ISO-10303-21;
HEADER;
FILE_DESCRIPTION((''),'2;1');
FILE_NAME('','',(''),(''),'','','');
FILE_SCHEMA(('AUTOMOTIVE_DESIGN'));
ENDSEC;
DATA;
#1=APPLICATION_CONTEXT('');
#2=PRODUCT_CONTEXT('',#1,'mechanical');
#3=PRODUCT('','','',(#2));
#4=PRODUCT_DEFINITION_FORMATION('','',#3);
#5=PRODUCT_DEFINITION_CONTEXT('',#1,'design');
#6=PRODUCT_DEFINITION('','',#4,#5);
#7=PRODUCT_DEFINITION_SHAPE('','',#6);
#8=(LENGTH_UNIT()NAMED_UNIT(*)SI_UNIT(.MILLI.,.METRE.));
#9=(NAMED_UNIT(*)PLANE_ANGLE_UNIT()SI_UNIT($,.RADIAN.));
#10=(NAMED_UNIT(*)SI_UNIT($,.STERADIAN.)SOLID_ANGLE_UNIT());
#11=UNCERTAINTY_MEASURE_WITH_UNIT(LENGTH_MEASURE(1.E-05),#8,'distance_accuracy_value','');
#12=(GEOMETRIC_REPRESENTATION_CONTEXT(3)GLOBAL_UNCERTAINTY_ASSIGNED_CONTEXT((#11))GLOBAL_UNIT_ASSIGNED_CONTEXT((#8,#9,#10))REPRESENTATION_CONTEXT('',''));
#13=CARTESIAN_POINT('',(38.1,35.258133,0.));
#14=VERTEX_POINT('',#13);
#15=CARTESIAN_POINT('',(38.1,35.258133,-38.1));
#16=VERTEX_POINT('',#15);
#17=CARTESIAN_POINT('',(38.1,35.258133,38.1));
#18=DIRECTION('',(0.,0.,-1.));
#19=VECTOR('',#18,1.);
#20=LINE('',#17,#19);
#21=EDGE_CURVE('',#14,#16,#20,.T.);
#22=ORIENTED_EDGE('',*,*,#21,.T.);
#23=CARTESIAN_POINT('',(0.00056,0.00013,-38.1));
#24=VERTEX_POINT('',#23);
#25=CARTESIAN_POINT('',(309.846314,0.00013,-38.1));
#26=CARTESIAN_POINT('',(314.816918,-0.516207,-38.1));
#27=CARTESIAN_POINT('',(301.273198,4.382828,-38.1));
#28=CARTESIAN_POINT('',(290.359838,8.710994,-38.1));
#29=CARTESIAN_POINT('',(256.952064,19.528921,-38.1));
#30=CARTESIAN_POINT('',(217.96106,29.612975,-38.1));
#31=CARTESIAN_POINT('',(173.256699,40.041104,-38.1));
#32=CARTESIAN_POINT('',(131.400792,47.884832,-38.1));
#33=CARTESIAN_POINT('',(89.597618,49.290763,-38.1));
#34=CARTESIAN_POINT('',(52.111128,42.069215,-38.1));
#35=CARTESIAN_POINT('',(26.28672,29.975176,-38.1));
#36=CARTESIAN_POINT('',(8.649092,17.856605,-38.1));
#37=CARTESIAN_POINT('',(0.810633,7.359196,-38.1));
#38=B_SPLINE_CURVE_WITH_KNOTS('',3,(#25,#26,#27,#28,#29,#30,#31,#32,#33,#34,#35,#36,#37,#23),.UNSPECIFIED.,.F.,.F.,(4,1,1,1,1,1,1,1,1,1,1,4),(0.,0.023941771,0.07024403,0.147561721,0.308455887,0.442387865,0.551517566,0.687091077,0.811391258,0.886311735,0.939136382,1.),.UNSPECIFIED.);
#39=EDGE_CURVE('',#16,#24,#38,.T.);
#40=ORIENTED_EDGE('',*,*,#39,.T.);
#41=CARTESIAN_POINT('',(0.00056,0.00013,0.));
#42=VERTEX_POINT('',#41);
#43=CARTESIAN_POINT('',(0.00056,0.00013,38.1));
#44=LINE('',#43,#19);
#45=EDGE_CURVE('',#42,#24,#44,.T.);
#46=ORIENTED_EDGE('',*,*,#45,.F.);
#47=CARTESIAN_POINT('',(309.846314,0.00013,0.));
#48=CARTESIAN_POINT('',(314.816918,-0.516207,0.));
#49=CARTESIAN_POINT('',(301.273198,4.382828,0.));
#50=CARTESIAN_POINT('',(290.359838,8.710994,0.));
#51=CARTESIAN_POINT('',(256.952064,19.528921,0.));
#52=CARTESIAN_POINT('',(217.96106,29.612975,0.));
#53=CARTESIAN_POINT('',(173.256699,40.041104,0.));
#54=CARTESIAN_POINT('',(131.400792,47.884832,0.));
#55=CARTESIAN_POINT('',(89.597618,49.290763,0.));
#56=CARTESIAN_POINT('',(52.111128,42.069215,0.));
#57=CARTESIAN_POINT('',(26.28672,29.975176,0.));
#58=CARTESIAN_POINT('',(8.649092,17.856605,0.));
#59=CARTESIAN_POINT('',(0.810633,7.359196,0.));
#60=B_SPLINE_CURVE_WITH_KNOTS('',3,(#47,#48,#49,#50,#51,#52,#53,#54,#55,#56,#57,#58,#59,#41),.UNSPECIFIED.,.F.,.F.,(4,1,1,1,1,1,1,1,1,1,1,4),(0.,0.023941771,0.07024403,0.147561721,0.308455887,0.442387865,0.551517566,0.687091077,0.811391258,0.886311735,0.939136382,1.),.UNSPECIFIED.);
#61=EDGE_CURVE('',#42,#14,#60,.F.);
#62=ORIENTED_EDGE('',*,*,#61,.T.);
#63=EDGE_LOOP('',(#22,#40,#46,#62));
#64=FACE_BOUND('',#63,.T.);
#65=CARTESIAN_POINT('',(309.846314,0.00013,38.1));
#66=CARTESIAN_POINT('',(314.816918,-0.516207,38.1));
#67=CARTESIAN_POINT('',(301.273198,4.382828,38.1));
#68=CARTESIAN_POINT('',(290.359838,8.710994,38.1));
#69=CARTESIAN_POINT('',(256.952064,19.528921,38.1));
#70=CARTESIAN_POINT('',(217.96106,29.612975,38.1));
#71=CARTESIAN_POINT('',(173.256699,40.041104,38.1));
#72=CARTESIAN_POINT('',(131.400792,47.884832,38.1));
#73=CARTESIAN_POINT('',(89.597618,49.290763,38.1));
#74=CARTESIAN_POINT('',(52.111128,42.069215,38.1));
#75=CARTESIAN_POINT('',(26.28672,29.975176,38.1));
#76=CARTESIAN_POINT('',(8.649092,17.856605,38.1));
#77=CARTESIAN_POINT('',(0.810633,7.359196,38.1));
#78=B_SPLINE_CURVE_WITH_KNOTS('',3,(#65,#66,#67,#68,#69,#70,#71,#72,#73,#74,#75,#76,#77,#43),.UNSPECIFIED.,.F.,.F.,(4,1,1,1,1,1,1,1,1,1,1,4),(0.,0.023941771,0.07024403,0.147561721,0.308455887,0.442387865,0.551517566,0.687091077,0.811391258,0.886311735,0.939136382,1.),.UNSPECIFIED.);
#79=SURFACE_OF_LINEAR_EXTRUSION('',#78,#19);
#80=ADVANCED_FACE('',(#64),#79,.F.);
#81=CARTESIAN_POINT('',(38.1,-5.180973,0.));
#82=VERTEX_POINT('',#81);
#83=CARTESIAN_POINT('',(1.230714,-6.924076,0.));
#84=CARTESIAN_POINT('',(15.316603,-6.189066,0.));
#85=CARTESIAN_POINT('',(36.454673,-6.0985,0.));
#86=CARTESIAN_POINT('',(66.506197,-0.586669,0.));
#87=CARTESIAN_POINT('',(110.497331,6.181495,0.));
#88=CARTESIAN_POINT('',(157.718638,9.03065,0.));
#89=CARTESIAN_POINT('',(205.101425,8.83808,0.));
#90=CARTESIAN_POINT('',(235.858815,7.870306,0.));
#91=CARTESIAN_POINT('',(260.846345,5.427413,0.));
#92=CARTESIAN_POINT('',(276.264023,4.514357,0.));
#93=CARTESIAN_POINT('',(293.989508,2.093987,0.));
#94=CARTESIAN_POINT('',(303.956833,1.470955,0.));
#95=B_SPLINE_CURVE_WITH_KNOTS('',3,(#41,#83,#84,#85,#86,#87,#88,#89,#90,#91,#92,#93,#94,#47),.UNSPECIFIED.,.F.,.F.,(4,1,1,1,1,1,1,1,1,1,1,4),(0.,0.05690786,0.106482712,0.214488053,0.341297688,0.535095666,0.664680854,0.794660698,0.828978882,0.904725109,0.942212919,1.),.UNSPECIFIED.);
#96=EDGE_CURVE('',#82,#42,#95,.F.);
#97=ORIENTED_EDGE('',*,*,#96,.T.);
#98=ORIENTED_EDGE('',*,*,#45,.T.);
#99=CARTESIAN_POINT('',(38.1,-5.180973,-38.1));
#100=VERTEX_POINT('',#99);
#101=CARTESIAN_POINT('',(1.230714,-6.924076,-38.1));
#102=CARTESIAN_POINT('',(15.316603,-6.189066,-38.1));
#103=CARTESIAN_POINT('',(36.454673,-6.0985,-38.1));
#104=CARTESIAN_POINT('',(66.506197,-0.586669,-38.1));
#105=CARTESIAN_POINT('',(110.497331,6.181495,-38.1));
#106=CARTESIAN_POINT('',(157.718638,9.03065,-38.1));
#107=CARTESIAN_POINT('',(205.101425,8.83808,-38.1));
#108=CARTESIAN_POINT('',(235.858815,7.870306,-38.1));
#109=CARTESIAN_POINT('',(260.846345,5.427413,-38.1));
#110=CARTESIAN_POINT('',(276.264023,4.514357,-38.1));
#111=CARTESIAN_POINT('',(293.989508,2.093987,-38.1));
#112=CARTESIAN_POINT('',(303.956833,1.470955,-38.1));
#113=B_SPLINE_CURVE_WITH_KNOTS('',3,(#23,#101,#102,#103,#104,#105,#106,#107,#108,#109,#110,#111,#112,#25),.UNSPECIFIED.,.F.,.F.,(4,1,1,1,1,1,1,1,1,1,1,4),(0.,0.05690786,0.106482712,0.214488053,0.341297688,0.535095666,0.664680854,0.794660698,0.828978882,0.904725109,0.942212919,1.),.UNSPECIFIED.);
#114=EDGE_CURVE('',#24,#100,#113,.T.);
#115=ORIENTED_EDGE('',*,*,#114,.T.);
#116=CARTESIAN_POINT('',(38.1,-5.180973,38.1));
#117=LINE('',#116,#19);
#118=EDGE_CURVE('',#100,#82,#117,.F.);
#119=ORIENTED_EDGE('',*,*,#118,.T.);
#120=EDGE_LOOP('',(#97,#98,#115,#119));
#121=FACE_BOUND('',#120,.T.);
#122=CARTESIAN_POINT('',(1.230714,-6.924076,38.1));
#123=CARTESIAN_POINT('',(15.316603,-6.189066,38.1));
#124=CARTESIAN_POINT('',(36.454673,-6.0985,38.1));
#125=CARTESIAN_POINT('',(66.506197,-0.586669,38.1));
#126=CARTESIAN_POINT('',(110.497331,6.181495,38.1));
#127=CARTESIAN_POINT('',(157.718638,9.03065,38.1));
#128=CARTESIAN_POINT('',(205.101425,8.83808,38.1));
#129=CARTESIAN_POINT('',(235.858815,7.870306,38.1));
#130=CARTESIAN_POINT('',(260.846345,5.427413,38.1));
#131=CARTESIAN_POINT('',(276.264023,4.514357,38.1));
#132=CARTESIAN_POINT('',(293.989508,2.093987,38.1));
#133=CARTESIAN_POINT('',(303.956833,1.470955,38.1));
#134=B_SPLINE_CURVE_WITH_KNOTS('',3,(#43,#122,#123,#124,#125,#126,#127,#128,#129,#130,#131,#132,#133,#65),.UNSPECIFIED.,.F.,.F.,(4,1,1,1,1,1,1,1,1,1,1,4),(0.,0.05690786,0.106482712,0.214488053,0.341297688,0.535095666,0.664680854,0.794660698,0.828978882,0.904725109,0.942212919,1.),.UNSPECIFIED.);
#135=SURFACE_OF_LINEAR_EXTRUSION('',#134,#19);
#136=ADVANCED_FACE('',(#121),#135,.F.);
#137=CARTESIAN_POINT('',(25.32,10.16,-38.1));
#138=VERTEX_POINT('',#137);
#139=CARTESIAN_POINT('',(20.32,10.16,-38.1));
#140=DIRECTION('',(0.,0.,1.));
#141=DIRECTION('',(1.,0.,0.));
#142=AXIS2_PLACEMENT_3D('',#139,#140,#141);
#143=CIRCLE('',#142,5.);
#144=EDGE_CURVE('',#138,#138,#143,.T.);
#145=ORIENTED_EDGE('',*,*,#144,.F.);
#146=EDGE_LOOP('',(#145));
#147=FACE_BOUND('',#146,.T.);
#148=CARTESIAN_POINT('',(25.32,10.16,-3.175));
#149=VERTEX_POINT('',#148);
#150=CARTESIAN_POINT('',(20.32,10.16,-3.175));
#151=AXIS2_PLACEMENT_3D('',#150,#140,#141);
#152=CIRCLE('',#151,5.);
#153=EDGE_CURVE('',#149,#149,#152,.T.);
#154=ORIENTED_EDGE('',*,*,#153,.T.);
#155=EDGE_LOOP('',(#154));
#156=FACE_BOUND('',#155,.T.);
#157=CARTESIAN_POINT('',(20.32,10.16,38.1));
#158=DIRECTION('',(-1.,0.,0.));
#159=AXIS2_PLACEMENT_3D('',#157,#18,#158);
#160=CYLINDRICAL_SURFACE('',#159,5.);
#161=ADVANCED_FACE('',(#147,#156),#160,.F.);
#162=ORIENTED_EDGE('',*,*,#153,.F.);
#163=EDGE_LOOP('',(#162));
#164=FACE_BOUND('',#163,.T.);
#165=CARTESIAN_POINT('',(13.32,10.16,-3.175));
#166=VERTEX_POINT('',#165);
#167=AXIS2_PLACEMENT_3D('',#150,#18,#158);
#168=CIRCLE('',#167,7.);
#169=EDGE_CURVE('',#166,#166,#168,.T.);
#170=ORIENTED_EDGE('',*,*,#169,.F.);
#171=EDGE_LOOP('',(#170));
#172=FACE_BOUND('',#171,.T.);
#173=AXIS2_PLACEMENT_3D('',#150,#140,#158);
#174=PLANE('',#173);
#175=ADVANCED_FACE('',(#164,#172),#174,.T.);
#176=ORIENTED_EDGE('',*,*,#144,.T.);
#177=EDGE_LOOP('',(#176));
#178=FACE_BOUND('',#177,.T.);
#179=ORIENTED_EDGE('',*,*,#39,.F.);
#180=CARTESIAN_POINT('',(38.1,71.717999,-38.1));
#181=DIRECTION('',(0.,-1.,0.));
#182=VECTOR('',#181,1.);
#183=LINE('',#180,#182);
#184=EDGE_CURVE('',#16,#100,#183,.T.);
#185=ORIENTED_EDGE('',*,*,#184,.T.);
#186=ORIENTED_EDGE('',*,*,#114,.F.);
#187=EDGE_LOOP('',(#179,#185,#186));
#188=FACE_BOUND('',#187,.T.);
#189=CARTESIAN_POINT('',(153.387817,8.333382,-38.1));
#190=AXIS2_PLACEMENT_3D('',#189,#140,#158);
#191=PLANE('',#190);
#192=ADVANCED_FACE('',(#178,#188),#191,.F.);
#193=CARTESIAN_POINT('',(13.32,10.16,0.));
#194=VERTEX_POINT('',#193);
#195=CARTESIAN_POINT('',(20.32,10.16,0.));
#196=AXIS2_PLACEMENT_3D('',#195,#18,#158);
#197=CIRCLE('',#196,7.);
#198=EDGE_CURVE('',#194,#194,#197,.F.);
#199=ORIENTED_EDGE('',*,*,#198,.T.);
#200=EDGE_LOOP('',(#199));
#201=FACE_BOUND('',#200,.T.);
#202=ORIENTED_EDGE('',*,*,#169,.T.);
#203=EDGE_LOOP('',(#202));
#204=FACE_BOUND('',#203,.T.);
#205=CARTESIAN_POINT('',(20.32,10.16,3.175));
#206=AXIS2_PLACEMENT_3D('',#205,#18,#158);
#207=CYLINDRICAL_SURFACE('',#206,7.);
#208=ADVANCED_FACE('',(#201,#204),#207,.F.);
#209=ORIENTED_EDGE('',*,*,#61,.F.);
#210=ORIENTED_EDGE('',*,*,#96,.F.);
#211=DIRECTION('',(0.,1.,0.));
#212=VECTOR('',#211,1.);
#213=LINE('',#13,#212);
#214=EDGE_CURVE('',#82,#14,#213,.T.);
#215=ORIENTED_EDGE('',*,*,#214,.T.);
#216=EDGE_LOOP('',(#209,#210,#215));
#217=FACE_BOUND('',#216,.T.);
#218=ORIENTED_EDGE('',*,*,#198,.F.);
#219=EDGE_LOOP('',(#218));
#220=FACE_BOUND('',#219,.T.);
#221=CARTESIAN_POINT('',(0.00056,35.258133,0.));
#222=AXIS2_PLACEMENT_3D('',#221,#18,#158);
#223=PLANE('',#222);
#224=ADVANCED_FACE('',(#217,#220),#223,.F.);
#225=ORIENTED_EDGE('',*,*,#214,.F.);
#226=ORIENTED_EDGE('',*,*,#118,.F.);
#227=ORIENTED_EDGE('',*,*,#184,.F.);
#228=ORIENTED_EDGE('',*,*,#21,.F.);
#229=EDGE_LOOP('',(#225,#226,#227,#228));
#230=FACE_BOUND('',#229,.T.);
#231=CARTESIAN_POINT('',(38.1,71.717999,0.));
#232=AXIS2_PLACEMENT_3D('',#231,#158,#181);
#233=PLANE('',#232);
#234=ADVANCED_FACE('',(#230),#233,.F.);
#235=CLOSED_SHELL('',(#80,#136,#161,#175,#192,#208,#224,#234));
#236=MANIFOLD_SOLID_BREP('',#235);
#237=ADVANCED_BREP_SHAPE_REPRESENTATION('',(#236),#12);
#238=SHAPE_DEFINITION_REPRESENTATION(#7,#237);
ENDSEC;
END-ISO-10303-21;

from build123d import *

# Parameters (mm, degrees)
BOSS_EXTRUDE1_DEPTH = 38.1
SKETCH2_R           = 5
SKETCH2_R_2         = 3.175
CUT_EXTRUDE1_DEPTH  = 319.018514003
SKETCH3_W           = 293.188888759
SKETCH3_H           = 137.971241769
CUT_EXTRUDE2_DEPTH  = 319.018514003
SKETCH4_R           = 7
CUT_EXTRUDE3_DEPTH  = 3.175
SKETCH5_W           = 61.216236185
SKETCH5_H           = 51.695253477
CUT_EXTRUDE4_DEPTH  = 65.391872686


with BuildPart() as part:
    # Sketch1 → Boss-Extrude1 (new body)
    with BuildSketch(Plane.XY):
        with BuildLine():
            add(Edge.make_bspline(
                [(0.000560351, 0.000130087), (0.810633127, 7.359196055), (8.649092025, 17.856605174), (26.286719818, 29.975176328), (52.111128271, 42.069215275), (89.597618475, 49.290763054), (131.400792109, 47.884831915), (173.256699242, 40.041104278), (217.961060472, 29.612974894), (256.952064401, 19.528920948), (290.35983767, 8.71099439), (301.273197721, 4.382828139), (314.816918223, -0.516206742), (309.846313895, 0.000130087)],
                knots=[0, 0, 0, 0, 0.060863618, 0.113688265, 0.188608742, 0.312908923, 0.448482434, 0.557612135, 0.691544113, 0.852438279, 0.92975597, 0.976058229, 1, 1, 1, 1], degree=3))
            add(Edge.make_bspline(
                [(309.846313895, 0.000130087), (303.956832565, 1.47095521), (293.989507544, 2.093987313), (276.26402299, 4.514356704), (260.846344817, 5.427413394), (235.858814759, 7.870306192), (205.101424636, 8.838080282), (157.718638092, 9.030650149), (110.497331172, 6.181495223), (66.506197185, -0.586669107), (36.454672816, -6.098499901), (15.316603331, -6.189065841), (1.230714189, -6.924076091), (0.000560351, 0.000130087)],
                knots=[0, 0, 0, 0, 0.057787081, 0.095274891, 0.171021118, 0.205339302, 0.335319146, 0.464904334, 0.658702312, 0.785511947, 0.893517288, 0.94309214, 1, 1, 1, 1], degree=3))
        make_face()
    boss_extrude1 = extrude(amount=BOSS_EXTRUDE1_DEPTH)

    # Sketch2 → Cut-Extrude1 (cut, through all)
    with BuildSketch(Plane.XY.offset(38.1)):
        with Locations((20.32, 10.16)):
            Circle(SKETCH2_R)
        with Locations((227.296313895, 19.050130087)):
            Circle(SKETCH2_R_2)
    cut_extrude1 = extrude(amount=-CUT_EXTRUDE1_DEPTH, mode=Mode.SUBTRACT)

    # Sketch3 → Cut-Extrude2 (cut, through all)
    with BuildSketch(Plane.XY.offset(38.1)):
        with Locations((184.69444438, 2.732377951)):
            Rectangle(SKETCH3_W, SKETCH3_H)
    cut_extrude2 = extrude(amount=-CUT_EXTRUDE2_DEPTH, mode=Mode.SUBTRACT)

    # Sketch4 → Cut-Extrude3 (cut)
    with BuildSketch(Plane(origin=(0, 0, 0), x_dir=(-1, 0, 0), z_dir=(0, 0, -1))):
        with Locations((-20.32, 10.16)):
            Circle(SKETCH4_R)
    cut_extrude3 = extrude(amount=-CUT_EXTRUDE3_DEPTH, mode=Mode.SUBTRACT)

    # Mirror1: Boss-Extrude1, Cut-Extrude1, Cut-Extrude2, Cut-Extrude3 across plane
    add(boss_extrude1.mirror(Plane(origin=(153.387816973, 8.333381989, 0), x_dir=(1, 0, 0), z_dir=(0, 0, -1))))
    add(cut_extrude1.mirror(Plane(origin=(153.387816973, 8.333381989, 0), x_dir=(1, 0, 0), z_dir=(0, 0, -1))), mode=Mode.SUBTRACT)
    add(cut_extrude2.mirror(Plane(origin=(153.387816973, 8.333381989, 0), x_dir=(1, 0, 0), z_dir=(0, 0, -1))), mode=Mode.SUBTRACT)
    add(cut_extrude3.mirror(Plane(origin=(153.387816973, 8.333381989, 0), x_dir=(1, 0, 0), z_dir=(0, 0, -1))), mode=Mode.SUBTRACT)

    # Sketch5 → Cut-Extrude4 (cut, through all)
    with BuildSketch(Plane(origin=(38.1, 0, 0), x_dir=(0, 0, -1), z_dir=(1, 0, 0))):
        with Locations((-30.608118093, 9.410506282)):
            Rectangle(SKETCH5_W, SKETCH5_H)
    extrude(amount=-CUT_EXTRUDE4_DEPTH, mode=Mode.SUBTRACT)


solid = part.part
